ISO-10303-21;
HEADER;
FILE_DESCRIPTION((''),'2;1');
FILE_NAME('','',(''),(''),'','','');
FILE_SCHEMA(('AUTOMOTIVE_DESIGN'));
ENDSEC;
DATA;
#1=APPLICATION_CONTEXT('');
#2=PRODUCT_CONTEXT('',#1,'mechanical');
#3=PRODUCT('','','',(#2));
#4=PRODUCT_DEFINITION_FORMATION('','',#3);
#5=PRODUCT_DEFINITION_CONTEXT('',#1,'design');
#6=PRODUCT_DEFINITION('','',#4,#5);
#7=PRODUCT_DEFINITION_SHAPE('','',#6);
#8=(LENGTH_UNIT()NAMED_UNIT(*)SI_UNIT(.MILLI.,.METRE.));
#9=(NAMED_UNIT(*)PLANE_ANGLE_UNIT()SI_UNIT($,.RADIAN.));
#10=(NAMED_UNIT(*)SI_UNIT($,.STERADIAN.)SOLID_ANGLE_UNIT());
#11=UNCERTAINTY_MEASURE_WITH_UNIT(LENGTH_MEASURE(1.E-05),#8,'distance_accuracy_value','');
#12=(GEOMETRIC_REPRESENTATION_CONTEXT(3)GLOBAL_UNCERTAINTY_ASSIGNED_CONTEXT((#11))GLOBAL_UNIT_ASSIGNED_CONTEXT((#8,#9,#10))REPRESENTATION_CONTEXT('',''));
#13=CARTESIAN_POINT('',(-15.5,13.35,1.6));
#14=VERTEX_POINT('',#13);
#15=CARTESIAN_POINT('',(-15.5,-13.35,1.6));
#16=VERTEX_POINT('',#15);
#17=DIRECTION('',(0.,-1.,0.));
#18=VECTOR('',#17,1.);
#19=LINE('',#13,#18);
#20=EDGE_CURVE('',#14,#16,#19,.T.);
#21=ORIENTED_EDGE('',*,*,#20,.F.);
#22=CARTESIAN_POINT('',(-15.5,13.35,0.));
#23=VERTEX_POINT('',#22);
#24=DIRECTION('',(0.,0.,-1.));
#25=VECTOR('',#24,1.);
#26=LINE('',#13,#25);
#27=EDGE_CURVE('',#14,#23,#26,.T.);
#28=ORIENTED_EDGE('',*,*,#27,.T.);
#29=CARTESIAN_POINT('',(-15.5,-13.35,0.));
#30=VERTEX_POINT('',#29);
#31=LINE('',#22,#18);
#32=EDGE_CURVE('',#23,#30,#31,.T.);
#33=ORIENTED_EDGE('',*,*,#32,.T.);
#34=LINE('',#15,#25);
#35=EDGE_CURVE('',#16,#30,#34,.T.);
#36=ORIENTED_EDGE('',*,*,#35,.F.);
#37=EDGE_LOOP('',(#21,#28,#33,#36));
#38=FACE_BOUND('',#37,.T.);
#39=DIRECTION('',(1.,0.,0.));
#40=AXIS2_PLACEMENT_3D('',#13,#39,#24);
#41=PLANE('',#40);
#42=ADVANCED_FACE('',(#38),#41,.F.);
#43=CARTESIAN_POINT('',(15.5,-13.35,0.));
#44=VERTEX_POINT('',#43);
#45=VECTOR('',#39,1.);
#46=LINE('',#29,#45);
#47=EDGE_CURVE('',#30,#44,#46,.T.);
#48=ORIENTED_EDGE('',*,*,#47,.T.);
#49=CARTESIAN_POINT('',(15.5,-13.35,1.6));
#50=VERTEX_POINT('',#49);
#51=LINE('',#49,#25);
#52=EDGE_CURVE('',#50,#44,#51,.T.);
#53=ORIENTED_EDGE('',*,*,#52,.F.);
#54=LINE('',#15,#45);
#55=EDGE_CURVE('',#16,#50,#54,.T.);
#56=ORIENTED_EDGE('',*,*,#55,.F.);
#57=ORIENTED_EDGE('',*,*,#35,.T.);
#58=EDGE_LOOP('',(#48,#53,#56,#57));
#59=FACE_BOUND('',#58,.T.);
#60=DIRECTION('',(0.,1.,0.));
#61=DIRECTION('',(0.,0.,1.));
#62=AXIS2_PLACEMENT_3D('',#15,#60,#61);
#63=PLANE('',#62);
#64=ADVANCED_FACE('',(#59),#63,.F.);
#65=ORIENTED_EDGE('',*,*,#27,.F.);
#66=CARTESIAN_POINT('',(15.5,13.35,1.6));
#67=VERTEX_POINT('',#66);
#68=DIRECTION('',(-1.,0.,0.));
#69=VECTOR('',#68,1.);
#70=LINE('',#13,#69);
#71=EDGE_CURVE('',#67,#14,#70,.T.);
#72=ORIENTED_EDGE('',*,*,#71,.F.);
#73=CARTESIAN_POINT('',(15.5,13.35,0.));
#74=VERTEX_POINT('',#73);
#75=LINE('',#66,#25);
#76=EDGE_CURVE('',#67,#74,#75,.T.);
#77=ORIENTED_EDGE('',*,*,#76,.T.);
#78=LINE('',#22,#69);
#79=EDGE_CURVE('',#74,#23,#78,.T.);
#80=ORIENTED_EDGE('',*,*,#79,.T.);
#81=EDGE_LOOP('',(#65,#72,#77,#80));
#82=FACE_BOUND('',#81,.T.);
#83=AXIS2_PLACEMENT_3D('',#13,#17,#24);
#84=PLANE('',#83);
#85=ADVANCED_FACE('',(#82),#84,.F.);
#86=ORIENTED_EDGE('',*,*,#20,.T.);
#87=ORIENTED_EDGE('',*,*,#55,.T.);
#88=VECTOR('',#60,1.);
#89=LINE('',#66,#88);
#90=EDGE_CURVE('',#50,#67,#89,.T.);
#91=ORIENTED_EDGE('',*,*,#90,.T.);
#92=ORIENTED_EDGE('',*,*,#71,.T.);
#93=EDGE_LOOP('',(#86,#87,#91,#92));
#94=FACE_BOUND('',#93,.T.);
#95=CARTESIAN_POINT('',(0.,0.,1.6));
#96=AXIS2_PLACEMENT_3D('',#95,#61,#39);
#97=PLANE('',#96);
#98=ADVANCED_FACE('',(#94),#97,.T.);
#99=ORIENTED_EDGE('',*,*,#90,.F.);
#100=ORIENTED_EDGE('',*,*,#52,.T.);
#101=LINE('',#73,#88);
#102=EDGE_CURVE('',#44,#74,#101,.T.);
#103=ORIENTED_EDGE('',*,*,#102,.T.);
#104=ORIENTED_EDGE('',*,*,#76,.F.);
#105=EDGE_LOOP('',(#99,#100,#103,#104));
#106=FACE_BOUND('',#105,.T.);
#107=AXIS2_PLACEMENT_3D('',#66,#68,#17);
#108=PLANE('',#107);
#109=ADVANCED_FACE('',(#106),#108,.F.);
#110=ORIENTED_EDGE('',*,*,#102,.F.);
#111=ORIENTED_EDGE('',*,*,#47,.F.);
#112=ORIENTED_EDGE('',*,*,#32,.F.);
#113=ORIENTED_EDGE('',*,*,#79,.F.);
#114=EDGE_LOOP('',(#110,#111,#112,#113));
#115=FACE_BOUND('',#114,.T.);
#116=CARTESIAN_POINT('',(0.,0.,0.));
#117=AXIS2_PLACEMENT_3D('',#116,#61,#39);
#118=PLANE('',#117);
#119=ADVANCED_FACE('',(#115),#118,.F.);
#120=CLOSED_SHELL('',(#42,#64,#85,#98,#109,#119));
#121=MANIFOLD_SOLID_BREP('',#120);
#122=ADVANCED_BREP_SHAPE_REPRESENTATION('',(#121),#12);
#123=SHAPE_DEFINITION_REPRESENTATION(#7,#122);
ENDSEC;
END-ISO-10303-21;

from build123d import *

# Parameters (mm, degrees)
SKICA1_W                = 31
SKICA1_H                = 26.7
P_IDAT_VYSUNUT_M1_DEPTH = 1.6


with BuildPart() as part:
    # Skica1 → Přidat vysunutím1 (new body)
    with BuildSketch(Plane.XY):
        Rectangle(SKICA1_W, SKICA1_H)
    extrude(amount=P_IDAT_VYSUNUT_M1_DEPTH)


solid = part.part
